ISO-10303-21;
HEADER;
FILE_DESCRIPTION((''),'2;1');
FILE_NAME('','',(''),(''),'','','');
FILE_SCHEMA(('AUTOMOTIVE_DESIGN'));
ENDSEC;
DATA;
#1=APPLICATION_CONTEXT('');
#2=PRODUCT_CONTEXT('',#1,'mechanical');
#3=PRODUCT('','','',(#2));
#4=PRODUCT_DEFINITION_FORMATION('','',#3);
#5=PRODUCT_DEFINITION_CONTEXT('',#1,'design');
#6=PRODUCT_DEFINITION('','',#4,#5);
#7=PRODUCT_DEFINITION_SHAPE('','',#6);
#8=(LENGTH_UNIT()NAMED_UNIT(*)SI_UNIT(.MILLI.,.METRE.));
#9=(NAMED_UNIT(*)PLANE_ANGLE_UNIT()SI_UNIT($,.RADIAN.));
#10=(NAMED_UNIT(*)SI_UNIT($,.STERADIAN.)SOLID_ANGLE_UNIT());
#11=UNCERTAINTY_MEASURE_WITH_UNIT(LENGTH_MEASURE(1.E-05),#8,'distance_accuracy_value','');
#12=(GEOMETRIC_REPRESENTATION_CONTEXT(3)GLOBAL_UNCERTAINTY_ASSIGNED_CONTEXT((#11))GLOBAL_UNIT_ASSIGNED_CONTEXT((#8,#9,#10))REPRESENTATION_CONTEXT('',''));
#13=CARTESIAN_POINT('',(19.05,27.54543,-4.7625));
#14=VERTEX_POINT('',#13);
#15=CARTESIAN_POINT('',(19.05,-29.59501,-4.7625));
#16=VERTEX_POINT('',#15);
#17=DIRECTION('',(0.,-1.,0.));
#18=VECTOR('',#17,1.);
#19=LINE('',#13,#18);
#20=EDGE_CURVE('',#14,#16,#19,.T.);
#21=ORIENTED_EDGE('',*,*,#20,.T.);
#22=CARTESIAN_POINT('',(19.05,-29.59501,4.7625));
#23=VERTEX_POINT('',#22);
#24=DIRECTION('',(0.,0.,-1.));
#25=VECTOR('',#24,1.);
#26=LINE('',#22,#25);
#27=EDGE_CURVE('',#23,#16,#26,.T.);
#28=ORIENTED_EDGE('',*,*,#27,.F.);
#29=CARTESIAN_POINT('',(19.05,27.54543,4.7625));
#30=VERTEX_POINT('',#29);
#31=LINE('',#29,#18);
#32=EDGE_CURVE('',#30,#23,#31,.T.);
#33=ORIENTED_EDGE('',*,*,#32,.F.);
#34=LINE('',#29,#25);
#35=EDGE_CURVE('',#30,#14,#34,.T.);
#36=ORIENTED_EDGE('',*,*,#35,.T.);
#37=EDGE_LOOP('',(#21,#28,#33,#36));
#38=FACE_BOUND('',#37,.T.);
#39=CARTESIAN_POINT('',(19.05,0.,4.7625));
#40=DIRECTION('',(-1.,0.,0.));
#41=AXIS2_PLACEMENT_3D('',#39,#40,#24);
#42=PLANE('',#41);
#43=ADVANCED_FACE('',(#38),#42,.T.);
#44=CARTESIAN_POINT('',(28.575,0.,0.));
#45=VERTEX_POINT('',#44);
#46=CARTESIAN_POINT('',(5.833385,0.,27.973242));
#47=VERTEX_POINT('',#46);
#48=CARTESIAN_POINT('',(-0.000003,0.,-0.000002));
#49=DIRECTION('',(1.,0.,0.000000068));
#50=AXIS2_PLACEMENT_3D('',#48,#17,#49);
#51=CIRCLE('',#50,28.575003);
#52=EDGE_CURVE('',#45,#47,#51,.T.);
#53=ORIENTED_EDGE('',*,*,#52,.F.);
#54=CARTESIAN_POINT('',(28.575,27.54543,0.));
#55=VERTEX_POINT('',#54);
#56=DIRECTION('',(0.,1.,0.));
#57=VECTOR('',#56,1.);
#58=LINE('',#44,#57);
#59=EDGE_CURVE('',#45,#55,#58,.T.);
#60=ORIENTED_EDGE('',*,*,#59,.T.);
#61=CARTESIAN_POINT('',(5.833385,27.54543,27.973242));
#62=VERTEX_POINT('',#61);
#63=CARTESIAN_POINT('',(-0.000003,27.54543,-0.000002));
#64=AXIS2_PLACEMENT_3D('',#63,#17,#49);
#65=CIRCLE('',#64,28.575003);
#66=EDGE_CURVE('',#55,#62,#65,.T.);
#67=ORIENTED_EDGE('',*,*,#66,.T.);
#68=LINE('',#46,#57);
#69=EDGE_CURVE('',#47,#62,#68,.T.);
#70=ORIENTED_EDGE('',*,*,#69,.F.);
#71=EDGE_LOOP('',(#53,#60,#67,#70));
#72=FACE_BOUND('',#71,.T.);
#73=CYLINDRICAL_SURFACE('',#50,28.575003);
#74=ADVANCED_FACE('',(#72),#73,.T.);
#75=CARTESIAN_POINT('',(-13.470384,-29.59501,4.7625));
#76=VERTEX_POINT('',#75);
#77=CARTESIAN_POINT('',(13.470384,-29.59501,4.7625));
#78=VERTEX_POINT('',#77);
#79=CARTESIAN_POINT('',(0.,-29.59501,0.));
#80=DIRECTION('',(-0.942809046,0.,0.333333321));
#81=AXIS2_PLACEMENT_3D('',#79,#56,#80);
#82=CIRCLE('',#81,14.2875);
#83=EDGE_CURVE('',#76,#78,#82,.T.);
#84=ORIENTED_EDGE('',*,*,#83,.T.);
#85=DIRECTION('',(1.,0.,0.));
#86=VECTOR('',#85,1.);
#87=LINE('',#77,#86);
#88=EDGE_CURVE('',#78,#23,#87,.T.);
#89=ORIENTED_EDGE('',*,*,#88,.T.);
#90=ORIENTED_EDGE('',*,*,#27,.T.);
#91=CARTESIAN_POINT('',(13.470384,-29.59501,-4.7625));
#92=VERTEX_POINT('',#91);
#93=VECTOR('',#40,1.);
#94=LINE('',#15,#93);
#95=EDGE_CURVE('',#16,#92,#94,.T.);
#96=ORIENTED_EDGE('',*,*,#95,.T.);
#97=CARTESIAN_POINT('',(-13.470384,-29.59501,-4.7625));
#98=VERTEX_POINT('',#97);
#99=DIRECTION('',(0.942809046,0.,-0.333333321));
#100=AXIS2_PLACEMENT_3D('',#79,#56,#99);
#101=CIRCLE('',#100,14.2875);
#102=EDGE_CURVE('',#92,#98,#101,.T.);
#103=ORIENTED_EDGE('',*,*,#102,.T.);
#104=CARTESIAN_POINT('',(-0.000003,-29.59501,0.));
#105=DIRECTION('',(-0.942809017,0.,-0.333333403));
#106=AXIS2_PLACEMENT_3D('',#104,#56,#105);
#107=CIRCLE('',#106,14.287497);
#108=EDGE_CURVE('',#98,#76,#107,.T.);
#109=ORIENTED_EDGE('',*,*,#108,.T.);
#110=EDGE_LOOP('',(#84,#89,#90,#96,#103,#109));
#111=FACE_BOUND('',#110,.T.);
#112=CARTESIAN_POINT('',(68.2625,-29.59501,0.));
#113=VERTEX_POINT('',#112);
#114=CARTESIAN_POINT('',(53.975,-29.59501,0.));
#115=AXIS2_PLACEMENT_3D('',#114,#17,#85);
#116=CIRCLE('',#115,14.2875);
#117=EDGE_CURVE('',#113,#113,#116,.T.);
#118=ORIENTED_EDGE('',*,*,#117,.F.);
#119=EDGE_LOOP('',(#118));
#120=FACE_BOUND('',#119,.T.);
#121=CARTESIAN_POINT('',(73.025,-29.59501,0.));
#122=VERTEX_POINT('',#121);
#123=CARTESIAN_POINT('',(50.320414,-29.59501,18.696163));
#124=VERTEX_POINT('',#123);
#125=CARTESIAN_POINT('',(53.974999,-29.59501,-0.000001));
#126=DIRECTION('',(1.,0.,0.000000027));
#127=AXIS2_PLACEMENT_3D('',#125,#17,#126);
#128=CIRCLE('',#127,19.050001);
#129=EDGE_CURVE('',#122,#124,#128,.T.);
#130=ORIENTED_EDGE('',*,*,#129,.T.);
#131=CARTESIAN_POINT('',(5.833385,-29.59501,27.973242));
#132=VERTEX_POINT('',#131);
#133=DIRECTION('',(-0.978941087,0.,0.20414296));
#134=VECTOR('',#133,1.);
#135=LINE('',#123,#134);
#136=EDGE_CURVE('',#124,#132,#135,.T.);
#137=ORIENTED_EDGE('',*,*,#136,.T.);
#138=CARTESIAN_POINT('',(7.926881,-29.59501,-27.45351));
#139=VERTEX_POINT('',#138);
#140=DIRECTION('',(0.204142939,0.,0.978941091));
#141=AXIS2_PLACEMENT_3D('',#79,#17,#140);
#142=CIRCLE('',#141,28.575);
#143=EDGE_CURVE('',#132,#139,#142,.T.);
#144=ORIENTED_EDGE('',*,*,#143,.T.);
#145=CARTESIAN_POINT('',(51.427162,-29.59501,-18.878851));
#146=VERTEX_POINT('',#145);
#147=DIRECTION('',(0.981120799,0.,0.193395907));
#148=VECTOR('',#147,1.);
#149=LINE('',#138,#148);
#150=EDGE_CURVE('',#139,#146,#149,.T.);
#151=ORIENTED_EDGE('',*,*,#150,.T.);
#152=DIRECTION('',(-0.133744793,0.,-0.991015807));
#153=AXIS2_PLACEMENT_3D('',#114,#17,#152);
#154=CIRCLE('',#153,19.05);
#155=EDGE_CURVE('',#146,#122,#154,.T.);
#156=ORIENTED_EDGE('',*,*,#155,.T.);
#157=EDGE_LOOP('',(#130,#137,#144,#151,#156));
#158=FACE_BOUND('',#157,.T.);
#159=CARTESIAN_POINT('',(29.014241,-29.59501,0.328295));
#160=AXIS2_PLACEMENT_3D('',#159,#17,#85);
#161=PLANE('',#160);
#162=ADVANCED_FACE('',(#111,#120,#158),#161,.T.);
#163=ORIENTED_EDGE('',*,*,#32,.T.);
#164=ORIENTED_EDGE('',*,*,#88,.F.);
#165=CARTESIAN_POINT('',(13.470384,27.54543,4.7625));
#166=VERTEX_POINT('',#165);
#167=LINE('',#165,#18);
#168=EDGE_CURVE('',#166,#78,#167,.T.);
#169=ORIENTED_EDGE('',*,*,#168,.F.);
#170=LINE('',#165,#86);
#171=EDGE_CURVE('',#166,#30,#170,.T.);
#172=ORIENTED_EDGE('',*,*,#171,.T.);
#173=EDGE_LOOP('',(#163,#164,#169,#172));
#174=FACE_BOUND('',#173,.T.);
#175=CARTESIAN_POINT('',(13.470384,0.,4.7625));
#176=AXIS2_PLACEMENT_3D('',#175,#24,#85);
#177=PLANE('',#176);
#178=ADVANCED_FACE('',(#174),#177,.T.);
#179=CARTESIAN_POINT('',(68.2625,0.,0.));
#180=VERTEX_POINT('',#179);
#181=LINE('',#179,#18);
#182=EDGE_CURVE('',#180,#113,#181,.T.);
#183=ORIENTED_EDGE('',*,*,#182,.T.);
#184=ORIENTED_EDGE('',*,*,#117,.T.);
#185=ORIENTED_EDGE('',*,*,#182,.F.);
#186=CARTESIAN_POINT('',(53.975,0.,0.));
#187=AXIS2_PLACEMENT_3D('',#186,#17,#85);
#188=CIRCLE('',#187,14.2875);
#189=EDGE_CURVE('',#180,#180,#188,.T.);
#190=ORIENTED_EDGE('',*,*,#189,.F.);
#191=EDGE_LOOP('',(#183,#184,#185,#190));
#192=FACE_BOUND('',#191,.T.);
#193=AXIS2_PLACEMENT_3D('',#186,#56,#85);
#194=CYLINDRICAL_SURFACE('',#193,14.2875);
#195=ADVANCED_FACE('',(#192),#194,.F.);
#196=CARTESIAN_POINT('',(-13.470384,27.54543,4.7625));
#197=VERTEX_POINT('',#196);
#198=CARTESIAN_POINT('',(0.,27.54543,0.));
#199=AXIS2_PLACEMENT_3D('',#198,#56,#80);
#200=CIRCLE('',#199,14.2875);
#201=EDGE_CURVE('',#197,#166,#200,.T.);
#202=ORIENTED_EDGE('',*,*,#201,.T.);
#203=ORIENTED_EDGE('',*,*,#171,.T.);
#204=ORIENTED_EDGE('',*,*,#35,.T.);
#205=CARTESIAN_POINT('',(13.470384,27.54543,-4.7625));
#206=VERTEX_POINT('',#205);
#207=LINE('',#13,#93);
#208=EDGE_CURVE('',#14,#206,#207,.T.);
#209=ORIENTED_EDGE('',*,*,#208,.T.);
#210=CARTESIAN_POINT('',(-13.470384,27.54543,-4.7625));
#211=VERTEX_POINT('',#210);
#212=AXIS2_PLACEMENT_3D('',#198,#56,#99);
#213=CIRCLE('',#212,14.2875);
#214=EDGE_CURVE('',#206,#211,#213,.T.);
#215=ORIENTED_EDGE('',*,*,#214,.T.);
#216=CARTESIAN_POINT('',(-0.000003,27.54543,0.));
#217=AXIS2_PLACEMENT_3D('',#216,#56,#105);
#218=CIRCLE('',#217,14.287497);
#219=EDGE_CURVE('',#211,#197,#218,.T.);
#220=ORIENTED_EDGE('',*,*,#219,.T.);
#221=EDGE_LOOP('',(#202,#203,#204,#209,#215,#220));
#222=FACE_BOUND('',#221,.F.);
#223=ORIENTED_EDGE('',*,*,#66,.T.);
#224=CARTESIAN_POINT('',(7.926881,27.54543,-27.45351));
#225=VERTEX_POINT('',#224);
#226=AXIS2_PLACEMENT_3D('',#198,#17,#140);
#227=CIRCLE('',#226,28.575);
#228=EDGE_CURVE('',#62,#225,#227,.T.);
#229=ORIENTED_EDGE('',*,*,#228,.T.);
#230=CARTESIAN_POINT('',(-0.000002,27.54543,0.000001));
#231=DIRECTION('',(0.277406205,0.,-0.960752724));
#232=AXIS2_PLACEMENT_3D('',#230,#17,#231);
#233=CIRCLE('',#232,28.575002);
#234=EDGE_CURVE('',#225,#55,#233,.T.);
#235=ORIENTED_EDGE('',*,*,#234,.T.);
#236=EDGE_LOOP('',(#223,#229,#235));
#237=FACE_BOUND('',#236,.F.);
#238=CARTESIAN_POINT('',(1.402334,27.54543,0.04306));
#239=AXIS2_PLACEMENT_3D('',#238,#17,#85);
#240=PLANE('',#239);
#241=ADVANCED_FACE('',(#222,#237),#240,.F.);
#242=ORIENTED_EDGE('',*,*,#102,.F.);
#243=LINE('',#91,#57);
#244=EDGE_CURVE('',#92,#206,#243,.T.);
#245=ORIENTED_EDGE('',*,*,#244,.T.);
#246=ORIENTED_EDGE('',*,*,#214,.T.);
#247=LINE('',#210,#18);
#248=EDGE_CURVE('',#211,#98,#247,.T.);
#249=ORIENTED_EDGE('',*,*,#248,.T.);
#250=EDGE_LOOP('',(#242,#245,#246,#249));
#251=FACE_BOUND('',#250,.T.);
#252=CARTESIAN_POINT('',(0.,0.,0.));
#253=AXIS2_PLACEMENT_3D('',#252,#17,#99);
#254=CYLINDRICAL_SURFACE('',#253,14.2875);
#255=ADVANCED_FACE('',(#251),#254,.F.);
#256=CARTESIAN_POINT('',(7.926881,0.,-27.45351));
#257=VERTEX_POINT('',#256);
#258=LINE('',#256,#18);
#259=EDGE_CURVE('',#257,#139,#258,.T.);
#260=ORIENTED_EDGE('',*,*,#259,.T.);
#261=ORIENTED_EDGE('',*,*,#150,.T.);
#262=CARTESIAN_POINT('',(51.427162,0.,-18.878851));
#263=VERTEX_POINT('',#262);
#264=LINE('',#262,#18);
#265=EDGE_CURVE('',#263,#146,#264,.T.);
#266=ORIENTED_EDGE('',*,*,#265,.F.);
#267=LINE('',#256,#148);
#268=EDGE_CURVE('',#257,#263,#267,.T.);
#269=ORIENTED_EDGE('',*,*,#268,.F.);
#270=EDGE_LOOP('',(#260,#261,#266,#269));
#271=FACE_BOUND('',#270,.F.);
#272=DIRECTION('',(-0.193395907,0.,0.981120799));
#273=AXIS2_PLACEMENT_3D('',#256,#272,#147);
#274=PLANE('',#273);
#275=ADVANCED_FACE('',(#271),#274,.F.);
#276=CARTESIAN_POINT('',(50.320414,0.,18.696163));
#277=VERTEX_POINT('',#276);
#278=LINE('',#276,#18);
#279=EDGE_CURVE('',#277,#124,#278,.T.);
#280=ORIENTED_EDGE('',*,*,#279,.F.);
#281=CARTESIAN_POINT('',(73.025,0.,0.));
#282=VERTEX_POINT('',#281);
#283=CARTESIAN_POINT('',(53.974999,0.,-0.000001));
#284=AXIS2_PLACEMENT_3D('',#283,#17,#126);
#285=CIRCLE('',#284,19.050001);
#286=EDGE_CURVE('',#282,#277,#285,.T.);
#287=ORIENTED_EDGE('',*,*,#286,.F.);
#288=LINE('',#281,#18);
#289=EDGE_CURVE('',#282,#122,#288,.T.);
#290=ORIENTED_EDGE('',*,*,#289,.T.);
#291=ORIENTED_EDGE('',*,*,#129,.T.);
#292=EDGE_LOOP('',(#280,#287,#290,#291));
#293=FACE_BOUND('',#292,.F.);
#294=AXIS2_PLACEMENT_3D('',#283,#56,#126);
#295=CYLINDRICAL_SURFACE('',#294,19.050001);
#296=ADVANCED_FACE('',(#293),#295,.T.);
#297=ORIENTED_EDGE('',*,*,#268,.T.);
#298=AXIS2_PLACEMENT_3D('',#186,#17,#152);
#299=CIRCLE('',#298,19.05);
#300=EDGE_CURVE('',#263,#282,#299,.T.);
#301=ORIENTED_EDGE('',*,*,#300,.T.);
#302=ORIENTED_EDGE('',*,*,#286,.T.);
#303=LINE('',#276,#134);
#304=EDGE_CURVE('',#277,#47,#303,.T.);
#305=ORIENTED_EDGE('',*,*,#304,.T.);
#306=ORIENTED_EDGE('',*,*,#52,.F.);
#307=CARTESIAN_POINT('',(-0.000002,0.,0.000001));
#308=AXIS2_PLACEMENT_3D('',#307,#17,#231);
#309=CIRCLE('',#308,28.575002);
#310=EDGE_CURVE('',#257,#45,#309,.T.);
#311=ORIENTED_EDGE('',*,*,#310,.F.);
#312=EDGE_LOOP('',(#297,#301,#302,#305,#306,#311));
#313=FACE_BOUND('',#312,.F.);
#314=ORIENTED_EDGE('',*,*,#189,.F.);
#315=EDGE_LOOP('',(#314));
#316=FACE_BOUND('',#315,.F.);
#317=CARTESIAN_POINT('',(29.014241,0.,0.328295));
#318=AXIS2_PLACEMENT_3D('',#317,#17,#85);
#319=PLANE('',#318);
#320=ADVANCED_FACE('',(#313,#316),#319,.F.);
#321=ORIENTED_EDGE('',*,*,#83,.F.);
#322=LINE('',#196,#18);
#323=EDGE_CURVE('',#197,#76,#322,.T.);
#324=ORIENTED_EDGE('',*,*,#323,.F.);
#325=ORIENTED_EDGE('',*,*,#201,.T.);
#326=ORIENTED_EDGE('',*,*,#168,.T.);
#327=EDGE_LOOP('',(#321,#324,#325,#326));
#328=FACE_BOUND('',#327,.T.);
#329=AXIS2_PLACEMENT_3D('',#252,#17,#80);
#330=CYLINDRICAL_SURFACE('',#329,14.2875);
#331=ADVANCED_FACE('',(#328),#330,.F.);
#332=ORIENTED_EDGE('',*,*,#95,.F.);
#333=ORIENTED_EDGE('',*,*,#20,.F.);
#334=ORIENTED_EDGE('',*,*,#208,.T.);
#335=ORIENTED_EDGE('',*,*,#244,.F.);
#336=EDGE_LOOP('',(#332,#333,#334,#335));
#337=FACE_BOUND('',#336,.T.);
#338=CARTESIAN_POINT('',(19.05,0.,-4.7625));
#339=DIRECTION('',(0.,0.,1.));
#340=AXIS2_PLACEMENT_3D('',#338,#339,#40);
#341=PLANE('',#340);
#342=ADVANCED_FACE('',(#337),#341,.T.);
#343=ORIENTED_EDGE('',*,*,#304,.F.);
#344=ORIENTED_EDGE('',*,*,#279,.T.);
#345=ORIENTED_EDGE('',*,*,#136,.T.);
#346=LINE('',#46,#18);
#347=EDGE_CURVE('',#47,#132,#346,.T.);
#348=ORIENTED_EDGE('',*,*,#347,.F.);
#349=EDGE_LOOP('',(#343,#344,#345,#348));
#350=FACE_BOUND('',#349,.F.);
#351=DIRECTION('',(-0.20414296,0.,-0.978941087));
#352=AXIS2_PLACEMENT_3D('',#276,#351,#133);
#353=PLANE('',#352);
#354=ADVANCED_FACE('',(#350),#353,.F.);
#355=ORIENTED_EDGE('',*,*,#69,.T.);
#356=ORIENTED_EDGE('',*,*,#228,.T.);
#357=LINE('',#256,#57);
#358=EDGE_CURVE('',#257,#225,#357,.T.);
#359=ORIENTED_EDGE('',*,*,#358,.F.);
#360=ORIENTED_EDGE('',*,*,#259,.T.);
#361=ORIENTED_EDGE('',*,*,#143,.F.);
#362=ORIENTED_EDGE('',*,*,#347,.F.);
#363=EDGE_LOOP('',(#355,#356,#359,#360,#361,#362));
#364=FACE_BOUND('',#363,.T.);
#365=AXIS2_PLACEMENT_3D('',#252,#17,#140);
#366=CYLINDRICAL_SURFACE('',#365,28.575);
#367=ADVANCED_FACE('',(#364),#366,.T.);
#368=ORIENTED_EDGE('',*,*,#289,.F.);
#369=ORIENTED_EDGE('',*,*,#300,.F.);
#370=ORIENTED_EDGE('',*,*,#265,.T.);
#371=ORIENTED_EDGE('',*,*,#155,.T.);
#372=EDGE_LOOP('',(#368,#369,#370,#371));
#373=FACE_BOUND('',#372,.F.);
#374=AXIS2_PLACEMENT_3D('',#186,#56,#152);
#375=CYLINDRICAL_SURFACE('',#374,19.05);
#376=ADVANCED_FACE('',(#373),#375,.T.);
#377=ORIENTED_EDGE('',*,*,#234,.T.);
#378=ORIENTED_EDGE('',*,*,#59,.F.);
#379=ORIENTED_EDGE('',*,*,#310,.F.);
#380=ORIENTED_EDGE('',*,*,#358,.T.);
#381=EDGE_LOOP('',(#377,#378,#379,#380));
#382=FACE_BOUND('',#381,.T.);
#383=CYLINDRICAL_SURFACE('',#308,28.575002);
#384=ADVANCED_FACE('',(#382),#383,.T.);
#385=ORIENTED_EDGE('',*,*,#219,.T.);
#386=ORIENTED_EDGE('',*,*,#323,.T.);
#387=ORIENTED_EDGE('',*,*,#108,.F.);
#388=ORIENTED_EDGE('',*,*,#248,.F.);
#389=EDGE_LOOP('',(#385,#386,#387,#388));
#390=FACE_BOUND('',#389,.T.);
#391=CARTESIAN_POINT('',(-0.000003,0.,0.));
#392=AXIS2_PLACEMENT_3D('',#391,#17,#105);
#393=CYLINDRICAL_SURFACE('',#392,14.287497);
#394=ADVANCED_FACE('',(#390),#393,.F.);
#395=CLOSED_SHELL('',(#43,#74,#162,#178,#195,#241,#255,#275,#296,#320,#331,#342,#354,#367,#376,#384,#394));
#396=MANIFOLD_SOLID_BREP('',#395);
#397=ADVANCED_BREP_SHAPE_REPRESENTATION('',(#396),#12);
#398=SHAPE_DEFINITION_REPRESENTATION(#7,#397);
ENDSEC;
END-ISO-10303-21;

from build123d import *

# Parameters (mm, degrees)
F0_R     = 14.2875
F1_DEPTH = 29.59501
F2_DEPTH = 27.54543


with BuildPart() as f1:
    # F0 (on Front) → F1 (new body)
    with BuildSketch(Plane.XZ):
        with BuildLine():
            ThreePointArc((5.833385, 27.973242), (22.172275, 18.02556), (28.575, 0))
            ThreePointArc((28.575, 0), (22.836826, -17.175855), (7.926881, -27.45351))
            Line((7.926881, -27.45351), (51.427162, -18.878851))
            ThreePointArc((51.427162, -18.878851), (34.933258, -0.560862), (50.320414, 18.696163))
            Line((50.320414, 18.696163), (5.833385, 27.973242))
        make_face()
        with BuildLine():
            ThreePointArc((73.025, 0), (66.084555, 14.705821), (50.320414, 18.696163))
            ThreePointArc((50.320414, 18.696163), (34.933258, -0.560862), (51.427162, -18.878851))
            ThreePointArc((51.427162, -18.878851), (66.512268, -14.342922), (73.025, 0))
        make_face()
        with Locations((53.975, 0)):
            Circle(F0_R, mode=Mode.SUBTRACT)
        with BuildLine():
            ThreePointArc((7.926881, -27.45351), (22.836826, -17.175855), (28.575, 0))
            ThreePointArc((28.575, 0), (22.172275, 18.02556), (5.833385, 27.973242))
            ThreePointArc((5.833385, 27.973242), (-28.554639, -1.078523), (7.926881, -27.45351))
        make_face()
        with BuildLine():
            ThreePointArc((-13.470384, 4.7625), (0, 14.2875), (13.470384, 4.7625))
            Line((13.470384, 4.7625), (19.05, 4.7625))
            Line((19.05, 4.7625), (19.05, -4.7625))
            Line((19.05, -4.7625), (13.470384, -4.7625))
            ThreePointArc((13.470384, -4.7625), (0, -14.2875), (-13.470384, -4.7625))
            Line((-13.470384, -4.7625), (-19.05, -4.7625))
            Line((-19.05, -4.7625), (-19.05, 4.7625))
            Line((-19.05, 4.7625), (-13.470384, 4.7625))
        make_face(mode=Mode.SUBTRACT)
        with BuildLine():
            ThreePointArc((-13.470384, -4.7625), (-14.2875, 0), (-13.470384, 4.7625))
            Line((-13.470384, 4.7625), (-19.05, 4.7625))
            Line((-19.05, 4.7625), (-19.05, -4.7625))
            Line((-19.05, -4.7625), (-13.470384, -4.7625))
        make_face()
    extrude(amount=F1_DEPTH)

    # F0 (on Front) → F2 (join)
    with BuildSketch(Plane.XZ):
        with BuildLine():
            ThreePointArc((7.926881, -27.45351), (22.836826, -17.175855), (28.575, 0))
            ThreePointArc((28.575, 0), (22.172275, 18.02556), (5.833385, 27.973242))
            ThreePointArc((5.833385, 27.973242), (-28.554639, -1.078523), (7.926881, -27.45351))
        make_face()
        with BuildLine():
            ThreePointArc((-13.470384, 4.7625), (0, 14.2875), (13.470384, 4.7625))
            Line((13.470384, 4.7625), (19.05, 4.7625))
            Line((19.05, 4.7625), (19.05, -4.7625))
            Line((19.05, -4.7625), (13.470384, -4.7625))
            ThreePointArc((13.470384, -4.7625), (0, -14.2875), (-13.470384, -4.7625))
            Line((-13.470384, -4.7625), (-19.05, -4.7625))
            Line((-19.05, -4.7625), (-19.05, 4.7625))
            Line((-19.05, 4.7625), (-13.470384, 4.7625))
        make_face(mode=Mode.SUBTRACT)
        with BuildLine():
            ThreePointArc((-13.470384, -4.7625), (-14.2875, 0), (-13.470384, 4.7625))
            Line((-13.470384, 4.7625), (-19.05, 4.7625))
            Line((-19.05, 4.7625), (-19.05, -4.7625))
            Line((-19.05, -4.7625), (-13.470384, -4.7625))
        make_face()
    extrude(amount=-F2_DEPTH)


solid = f1.part
